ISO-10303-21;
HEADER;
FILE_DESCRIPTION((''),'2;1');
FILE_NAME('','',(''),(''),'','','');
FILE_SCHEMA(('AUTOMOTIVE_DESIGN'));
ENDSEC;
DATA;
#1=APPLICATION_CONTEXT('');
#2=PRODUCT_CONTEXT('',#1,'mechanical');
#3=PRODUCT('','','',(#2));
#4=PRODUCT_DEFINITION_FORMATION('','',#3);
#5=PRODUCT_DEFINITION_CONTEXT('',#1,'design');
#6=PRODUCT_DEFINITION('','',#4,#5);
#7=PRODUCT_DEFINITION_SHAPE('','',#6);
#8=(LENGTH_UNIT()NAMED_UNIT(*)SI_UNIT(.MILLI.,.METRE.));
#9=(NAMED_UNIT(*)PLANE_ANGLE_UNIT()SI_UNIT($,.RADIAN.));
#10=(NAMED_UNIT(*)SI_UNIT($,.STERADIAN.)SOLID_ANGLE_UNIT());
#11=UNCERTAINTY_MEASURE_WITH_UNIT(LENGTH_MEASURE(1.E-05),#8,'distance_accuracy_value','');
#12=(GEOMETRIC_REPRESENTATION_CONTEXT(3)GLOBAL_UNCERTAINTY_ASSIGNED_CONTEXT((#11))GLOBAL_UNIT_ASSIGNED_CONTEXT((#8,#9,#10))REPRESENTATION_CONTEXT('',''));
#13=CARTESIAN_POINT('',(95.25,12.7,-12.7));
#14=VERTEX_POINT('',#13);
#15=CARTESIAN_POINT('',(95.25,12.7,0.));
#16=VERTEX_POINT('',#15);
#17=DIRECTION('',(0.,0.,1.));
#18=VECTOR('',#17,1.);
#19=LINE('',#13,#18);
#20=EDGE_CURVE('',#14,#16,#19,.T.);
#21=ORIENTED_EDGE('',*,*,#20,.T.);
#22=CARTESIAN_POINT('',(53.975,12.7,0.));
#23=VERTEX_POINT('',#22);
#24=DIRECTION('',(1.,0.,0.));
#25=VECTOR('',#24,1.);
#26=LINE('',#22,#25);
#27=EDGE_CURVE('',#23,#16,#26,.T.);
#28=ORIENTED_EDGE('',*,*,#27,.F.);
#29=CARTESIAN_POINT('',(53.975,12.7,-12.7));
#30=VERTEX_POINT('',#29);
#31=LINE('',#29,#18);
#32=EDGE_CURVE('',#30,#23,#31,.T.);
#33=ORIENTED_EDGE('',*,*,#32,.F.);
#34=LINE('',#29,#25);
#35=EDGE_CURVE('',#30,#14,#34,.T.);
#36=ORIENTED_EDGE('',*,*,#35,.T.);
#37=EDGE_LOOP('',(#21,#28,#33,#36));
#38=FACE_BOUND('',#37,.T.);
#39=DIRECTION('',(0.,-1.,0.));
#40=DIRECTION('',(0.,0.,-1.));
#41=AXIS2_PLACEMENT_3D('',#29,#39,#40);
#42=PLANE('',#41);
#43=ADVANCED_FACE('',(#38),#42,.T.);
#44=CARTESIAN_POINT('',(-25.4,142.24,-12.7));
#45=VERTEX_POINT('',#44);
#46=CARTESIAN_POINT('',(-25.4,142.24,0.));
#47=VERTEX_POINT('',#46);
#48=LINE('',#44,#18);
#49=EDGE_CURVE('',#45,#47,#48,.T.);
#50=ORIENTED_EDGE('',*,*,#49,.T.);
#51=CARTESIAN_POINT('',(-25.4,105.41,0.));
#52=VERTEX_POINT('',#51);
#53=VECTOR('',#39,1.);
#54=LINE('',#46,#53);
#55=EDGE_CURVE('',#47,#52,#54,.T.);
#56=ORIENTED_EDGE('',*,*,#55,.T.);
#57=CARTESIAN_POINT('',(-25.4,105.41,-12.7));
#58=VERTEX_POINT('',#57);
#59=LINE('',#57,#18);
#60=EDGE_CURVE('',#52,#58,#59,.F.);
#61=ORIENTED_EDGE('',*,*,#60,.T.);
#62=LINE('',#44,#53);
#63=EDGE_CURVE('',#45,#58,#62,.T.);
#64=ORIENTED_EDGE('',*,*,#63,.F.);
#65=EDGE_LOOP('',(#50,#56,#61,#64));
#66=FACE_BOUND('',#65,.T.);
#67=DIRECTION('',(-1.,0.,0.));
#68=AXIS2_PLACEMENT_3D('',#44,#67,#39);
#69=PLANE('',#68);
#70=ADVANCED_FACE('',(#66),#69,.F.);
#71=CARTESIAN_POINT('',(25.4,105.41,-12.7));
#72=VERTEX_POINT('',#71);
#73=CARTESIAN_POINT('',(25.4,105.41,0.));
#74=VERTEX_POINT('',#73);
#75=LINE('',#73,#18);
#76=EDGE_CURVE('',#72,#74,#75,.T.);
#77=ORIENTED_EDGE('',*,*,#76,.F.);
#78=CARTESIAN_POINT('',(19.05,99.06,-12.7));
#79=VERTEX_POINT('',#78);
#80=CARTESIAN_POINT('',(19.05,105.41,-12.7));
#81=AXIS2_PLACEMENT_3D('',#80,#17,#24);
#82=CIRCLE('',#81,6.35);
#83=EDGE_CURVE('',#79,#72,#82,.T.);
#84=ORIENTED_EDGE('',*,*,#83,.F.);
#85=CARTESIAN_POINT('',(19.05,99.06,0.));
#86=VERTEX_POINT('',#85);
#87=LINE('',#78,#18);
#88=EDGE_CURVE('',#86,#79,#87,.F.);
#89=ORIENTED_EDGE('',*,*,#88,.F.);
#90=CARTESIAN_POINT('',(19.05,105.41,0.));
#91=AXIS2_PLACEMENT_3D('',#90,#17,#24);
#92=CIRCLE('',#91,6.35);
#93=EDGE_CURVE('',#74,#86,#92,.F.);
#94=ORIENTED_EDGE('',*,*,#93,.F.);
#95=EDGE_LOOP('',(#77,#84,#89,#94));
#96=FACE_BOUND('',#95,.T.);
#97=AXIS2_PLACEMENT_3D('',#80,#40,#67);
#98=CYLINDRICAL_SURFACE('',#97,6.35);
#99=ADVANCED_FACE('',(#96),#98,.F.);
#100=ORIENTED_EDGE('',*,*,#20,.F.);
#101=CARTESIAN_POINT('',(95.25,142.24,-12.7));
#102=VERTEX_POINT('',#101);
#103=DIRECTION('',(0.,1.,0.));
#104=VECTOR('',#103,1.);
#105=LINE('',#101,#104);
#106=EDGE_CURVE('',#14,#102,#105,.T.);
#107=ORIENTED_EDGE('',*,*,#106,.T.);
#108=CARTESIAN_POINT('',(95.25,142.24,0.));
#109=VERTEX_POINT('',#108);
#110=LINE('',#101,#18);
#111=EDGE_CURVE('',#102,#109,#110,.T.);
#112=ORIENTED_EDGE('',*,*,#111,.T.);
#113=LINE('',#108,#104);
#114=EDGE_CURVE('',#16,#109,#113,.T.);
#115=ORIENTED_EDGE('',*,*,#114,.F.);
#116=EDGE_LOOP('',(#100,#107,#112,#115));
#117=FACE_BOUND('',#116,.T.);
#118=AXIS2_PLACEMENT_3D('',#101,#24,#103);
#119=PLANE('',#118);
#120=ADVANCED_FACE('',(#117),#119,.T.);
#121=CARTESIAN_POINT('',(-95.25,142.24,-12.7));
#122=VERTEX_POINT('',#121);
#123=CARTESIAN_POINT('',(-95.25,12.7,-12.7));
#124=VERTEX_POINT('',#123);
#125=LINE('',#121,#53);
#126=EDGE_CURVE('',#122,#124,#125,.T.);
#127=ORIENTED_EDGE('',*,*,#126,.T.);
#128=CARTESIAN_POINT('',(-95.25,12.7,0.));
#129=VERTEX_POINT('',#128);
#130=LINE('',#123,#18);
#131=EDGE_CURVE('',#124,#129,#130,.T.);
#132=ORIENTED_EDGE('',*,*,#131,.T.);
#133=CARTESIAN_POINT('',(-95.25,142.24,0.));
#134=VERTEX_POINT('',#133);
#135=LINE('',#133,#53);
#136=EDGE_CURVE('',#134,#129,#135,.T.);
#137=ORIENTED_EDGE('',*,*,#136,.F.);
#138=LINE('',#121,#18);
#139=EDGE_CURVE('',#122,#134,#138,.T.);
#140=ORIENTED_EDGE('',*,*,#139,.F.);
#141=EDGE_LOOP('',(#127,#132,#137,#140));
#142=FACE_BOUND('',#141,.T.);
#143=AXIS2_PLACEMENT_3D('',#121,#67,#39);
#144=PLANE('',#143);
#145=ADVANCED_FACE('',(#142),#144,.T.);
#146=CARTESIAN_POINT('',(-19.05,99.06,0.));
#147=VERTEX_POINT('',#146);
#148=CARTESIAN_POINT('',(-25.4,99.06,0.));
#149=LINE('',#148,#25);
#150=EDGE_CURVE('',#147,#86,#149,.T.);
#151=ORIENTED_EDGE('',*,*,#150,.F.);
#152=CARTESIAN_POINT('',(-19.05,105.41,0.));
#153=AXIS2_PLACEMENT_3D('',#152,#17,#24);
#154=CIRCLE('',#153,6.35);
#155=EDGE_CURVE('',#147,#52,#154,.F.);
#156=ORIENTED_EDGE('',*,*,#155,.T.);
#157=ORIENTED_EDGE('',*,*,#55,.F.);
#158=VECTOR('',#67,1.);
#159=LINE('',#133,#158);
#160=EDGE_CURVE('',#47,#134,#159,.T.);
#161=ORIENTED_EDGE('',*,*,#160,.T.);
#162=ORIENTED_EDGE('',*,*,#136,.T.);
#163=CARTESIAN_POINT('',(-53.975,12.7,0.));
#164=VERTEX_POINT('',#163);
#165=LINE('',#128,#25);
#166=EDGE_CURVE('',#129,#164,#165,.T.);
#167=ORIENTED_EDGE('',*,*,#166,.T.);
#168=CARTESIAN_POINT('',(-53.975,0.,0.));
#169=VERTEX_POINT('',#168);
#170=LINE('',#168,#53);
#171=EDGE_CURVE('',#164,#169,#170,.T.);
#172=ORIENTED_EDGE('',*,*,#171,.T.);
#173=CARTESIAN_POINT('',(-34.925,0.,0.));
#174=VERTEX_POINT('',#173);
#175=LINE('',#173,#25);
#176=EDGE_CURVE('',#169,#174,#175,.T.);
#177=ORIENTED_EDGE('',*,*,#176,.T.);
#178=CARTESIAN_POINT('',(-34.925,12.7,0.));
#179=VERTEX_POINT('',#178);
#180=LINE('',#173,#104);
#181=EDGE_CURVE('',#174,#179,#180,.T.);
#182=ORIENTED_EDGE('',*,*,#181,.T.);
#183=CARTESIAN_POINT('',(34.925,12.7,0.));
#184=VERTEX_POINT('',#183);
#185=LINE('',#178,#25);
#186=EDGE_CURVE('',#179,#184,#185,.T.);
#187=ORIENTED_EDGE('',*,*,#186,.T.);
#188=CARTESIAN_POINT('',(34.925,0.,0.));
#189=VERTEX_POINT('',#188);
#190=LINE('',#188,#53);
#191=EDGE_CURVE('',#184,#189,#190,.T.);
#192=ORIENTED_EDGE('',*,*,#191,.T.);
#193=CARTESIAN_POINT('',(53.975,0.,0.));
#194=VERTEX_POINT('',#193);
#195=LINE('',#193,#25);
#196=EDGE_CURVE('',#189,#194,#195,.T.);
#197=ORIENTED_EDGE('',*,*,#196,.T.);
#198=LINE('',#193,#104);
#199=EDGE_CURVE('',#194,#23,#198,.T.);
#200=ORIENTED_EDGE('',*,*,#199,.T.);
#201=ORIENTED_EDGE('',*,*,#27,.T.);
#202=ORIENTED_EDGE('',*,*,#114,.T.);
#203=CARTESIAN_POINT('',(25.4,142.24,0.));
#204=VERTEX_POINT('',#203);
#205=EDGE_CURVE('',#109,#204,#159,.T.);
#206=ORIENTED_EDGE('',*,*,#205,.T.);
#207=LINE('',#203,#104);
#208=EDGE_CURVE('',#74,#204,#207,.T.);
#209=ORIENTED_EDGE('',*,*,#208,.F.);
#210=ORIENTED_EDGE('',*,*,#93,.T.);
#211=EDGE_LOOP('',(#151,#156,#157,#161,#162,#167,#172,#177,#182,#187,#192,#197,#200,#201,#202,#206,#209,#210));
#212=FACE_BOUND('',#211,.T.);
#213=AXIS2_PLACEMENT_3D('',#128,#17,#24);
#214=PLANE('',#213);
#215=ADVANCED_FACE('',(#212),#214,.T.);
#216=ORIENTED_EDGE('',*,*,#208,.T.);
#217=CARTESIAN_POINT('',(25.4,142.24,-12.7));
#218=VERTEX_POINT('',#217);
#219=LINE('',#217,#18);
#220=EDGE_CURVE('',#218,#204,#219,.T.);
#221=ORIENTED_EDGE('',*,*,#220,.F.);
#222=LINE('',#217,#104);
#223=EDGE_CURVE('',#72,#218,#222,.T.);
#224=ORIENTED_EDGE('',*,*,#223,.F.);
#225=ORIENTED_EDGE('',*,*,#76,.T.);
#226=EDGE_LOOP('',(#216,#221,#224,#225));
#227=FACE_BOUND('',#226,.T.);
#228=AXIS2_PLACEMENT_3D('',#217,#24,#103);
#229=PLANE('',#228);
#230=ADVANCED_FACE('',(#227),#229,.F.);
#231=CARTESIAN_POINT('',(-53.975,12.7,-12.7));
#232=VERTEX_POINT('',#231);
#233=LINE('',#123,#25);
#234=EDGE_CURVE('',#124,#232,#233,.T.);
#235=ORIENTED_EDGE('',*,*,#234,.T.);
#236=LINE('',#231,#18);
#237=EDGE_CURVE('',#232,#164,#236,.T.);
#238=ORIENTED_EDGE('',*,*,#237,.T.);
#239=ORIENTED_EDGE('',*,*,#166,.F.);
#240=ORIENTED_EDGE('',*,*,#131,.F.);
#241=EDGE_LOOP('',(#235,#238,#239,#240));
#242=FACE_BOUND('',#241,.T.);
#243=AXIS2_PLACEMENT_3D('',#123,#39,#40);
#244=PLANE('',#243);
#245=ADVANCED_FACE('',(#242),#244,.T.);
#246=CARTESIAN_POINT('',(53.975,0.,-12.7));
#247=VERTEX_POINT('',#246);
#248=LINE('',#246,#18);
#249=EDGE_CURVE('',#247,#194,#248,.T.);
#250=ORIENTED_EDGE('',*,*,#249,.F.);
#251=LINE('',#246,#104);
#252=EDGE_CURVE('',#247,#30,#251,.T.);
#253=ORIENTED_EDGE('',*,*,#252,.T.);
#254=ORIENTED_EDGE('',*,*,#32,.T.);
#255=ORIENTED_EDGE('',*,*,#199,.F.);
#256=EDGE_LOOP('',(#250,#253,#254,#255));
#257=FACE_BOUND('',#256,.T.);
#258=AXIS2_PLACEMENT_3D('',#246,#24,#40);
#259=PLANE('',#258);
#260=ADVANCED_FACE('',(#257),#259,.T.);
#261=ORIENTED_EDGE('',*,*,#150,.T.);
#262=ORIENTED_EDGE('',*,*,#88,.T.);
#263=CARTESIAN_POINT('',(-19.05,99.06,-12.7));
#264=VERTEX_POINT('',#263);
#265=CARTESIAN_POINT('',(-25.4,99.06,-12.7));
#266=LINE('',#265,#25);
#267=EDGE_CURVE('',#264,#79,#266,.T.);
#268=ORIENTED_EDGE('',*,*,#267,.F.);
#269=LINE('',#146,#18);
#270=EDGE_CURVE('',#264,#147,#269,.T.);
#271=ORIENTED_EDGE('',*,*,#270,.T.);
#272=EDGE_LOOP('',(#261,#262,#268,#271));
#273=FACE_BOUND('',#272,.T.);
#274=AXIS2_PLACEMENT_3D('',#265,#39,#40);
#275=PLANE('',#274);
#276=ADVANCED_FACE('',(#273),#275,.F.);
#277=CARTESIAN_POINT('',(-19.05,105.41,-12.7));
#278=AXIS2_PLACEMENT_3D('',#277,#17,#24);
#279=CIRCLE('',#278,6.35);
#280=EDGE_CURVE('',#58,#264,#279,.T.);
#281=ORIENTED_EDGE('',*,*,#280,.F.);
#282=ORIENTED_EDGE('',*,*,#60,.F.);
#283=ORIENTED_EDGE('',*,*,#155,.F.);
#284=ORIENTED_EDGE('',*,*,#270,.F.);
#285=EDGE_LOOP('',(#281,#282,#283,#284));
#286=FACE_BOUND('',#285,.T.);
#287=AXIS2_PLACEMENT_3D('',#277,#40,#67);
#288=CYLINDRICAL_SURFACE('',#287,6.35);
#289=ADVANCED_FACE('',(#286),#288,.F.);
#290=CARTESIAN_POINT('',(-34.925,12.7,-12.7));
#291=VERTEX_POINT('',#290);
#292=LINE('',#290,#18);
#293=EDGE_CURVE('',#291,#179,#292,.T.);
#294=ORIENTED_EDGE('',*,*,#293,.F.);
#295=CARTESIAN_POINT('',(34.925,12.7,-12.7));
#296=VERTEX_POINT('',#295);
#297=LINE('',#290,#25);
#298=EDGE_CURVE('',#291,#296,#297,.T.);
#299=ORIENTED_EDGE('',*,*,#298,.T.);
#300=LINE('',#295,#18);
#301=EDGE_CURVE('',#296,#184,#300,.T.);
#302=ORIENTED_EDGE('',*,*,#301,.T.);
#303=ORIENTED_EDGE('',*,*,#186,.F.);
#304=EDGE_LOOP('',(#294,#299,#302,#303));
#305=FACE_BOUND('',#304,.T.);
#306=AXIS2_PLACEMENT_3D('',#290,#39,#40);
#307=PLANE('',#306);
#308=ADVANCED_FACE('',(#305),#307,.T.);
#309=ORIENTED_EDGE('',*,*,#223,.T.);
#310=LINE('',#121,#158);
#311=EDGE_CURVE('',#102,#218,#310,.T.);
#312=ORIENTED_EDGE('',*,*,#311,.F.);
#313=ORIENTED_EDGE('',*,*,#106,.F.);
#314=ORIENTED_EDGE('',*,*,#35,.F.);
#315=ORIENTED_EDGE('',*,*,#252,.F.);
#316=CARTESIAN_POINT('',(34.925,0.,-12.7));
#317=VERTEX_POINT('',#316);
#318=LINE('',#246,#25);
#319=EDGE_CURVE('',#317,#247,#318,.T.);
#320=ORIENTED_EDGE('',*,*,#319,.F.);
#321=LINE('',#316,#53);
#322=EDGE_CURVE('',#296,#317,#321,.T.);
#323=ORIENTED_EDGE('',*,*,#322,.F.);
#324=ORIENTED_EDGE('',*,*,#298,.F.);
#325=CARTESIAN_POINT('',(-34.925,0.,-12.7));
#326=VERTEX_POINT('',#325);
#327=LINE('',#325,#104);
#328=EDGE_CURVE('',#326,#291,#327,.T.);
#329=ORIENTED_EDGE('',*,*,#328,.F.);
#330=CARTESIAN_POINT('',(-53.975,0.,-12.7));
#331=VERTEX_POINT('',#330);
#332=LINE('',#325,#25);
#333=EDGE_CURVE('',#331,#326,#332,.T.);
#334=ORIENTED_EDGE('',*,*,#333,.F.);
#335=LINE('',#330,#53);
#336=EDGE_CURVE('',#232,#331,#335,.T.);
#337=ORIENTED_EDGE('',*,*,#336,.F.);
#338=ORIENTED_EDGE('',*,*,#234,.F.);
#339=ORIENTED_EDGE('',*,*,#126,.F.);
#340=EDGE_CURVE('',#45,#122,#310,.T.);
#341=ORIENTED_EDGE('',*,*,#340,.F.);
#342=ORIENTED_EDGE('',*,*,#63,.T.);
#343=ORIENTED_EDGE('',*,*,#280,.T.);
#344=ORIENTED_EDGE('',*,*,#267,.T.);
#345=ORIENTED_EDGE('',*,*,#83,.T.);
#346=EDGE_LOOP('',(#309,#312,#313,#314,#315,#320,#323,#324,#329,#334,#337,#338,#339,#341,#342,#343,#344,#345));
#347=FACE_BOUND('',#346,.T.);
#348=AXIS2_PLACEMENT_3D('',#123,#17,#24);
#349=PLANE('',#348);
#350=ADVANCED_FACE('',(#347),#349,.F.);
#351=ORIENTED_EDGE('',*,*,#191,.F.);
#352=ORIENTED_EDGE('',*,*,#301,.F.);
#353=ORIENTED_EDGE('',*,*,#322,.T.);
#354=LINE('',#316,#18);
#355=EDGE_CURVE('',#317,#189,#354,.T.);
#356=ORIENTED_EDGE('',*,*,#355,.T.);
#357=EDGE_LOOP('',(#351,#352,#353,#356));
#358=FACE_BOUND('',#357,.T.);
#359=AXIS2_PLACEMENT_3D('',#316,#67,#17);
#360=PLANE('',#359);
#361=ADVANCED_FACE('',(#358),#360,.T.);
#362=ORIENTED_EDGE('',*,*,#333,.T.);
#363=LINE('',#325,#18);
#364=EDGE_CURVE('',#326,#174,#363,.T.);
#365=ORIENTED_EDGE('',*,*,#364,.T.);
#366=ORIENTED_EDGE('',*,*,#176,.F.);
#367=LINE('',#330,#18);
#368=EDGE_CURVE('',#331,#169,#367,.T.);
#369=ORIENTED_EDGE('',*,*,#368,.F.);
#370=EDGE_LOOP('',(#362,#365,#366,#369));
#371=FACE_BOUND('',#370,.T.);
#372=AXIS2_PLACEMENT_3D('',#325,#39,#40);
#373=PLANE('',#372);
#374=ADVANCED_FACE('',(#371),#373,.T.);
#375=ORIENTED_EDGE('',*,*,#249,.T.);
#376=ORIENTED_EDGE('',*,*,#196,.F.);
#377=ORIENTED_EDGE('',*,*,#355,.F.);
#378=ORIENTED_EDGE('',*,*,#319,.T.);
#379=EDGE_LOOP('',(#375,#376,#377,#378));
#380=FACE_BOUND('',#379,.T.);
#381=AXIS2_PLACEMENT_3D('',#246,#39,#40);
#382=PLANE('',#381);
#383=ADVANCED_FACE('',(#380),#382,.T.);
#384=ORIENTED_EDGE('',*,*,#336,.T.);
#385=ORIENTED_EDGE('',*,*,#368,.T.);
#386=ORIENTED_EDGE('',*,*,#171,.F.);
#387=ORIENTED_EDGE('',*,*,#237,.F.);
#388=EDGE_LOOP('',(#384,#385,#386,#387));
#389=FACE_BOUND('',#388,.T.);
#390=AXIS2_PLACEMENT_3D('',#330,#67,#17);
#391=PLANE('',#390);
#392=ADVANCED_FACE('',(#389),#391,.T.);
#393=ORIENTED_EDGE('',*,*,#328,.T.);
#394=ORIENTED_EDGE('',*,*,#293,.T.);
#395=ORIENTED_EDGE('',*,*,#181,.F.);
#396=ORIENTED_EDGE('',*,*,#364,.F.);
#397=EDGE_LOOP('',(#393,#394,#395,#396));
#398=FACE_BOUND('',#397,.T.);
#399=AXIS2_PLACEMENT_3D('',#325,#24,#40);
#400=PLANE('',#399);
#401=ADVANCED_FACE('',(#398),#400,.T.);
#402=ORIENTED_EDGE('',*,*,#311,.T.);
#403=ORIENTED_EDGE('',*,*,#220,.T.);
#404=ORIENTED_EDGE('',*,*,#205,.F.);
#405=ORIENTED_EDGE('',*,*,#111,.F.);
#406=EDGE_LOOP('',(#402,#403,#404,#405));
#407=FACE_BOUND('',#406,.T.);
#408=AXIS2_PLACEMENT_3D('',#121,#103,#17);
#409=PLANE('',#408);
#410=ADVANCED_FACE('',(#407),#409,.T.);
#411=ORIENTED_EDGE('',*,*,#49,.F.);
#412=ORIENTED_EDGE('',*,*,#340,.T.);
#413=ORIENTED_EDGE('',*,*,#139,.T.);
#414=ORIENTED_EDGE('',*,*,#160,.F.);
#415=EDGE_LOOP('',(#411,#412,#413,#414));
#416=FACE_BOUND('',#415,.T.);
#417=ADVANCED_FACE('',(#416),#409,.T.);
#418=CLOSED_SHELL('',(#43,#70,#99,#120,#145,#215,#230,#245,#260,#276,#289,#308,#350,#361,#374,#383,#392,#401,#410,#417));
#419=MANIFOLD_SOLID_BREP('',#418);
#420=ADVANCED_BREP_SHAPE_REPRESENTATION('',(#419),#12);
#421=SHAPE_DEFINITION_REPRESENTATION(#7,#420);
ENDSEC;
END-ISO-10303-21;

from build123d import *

# Parameters (mm, degrees)
EXTRUDE1_DEPTH     = 12.7
SKETCH2_W          = 50.8
SKETCH2_H          = 43.18
CUT_EXTRUDE1_DEPTH = 172.656838198
FILLET1_R          = 6.35


with BuildPart() as part:
    # Sketch1 → Extrude1 (new body)
    with BuildSketch(Plane.XY):
        Polygon((-95.25, 142.24), (95.25, 142.24), (95.25, 12.7), (53.975, 12.7), (53.975, 0), (34.925, 0), (34.925, 12.7), (-34.925, 12.7), (-34.925, 0), (-53.975, 0), (-53.975, 12.7), (-95.25, 12.7), align=None)
    extrude(amount=-EXTRUDE1_DEPTH)

    # Sketch2 → Cut-Extrude1 (cut, through all)
    with BuildSketch(Plane.XY):
        with Locations((0, 120.65)):
            Rectangle(SKETCH2_W, SKETCH2_H)
    extrude(amount=-CUT_EXTRUDE1_DEPTH, mode=Mode.SUBTRACT)

    # Fillet1
    fillet1_edges = [part.edges().sort_by_distance(p)[0] for p in [
        (-25.4, 99.06, -6.35),
        (25.4, 99.06, -6.35),
    ]]
    fillet(fillet1_edges, radius=FILLET1_R)


solid = part.part
